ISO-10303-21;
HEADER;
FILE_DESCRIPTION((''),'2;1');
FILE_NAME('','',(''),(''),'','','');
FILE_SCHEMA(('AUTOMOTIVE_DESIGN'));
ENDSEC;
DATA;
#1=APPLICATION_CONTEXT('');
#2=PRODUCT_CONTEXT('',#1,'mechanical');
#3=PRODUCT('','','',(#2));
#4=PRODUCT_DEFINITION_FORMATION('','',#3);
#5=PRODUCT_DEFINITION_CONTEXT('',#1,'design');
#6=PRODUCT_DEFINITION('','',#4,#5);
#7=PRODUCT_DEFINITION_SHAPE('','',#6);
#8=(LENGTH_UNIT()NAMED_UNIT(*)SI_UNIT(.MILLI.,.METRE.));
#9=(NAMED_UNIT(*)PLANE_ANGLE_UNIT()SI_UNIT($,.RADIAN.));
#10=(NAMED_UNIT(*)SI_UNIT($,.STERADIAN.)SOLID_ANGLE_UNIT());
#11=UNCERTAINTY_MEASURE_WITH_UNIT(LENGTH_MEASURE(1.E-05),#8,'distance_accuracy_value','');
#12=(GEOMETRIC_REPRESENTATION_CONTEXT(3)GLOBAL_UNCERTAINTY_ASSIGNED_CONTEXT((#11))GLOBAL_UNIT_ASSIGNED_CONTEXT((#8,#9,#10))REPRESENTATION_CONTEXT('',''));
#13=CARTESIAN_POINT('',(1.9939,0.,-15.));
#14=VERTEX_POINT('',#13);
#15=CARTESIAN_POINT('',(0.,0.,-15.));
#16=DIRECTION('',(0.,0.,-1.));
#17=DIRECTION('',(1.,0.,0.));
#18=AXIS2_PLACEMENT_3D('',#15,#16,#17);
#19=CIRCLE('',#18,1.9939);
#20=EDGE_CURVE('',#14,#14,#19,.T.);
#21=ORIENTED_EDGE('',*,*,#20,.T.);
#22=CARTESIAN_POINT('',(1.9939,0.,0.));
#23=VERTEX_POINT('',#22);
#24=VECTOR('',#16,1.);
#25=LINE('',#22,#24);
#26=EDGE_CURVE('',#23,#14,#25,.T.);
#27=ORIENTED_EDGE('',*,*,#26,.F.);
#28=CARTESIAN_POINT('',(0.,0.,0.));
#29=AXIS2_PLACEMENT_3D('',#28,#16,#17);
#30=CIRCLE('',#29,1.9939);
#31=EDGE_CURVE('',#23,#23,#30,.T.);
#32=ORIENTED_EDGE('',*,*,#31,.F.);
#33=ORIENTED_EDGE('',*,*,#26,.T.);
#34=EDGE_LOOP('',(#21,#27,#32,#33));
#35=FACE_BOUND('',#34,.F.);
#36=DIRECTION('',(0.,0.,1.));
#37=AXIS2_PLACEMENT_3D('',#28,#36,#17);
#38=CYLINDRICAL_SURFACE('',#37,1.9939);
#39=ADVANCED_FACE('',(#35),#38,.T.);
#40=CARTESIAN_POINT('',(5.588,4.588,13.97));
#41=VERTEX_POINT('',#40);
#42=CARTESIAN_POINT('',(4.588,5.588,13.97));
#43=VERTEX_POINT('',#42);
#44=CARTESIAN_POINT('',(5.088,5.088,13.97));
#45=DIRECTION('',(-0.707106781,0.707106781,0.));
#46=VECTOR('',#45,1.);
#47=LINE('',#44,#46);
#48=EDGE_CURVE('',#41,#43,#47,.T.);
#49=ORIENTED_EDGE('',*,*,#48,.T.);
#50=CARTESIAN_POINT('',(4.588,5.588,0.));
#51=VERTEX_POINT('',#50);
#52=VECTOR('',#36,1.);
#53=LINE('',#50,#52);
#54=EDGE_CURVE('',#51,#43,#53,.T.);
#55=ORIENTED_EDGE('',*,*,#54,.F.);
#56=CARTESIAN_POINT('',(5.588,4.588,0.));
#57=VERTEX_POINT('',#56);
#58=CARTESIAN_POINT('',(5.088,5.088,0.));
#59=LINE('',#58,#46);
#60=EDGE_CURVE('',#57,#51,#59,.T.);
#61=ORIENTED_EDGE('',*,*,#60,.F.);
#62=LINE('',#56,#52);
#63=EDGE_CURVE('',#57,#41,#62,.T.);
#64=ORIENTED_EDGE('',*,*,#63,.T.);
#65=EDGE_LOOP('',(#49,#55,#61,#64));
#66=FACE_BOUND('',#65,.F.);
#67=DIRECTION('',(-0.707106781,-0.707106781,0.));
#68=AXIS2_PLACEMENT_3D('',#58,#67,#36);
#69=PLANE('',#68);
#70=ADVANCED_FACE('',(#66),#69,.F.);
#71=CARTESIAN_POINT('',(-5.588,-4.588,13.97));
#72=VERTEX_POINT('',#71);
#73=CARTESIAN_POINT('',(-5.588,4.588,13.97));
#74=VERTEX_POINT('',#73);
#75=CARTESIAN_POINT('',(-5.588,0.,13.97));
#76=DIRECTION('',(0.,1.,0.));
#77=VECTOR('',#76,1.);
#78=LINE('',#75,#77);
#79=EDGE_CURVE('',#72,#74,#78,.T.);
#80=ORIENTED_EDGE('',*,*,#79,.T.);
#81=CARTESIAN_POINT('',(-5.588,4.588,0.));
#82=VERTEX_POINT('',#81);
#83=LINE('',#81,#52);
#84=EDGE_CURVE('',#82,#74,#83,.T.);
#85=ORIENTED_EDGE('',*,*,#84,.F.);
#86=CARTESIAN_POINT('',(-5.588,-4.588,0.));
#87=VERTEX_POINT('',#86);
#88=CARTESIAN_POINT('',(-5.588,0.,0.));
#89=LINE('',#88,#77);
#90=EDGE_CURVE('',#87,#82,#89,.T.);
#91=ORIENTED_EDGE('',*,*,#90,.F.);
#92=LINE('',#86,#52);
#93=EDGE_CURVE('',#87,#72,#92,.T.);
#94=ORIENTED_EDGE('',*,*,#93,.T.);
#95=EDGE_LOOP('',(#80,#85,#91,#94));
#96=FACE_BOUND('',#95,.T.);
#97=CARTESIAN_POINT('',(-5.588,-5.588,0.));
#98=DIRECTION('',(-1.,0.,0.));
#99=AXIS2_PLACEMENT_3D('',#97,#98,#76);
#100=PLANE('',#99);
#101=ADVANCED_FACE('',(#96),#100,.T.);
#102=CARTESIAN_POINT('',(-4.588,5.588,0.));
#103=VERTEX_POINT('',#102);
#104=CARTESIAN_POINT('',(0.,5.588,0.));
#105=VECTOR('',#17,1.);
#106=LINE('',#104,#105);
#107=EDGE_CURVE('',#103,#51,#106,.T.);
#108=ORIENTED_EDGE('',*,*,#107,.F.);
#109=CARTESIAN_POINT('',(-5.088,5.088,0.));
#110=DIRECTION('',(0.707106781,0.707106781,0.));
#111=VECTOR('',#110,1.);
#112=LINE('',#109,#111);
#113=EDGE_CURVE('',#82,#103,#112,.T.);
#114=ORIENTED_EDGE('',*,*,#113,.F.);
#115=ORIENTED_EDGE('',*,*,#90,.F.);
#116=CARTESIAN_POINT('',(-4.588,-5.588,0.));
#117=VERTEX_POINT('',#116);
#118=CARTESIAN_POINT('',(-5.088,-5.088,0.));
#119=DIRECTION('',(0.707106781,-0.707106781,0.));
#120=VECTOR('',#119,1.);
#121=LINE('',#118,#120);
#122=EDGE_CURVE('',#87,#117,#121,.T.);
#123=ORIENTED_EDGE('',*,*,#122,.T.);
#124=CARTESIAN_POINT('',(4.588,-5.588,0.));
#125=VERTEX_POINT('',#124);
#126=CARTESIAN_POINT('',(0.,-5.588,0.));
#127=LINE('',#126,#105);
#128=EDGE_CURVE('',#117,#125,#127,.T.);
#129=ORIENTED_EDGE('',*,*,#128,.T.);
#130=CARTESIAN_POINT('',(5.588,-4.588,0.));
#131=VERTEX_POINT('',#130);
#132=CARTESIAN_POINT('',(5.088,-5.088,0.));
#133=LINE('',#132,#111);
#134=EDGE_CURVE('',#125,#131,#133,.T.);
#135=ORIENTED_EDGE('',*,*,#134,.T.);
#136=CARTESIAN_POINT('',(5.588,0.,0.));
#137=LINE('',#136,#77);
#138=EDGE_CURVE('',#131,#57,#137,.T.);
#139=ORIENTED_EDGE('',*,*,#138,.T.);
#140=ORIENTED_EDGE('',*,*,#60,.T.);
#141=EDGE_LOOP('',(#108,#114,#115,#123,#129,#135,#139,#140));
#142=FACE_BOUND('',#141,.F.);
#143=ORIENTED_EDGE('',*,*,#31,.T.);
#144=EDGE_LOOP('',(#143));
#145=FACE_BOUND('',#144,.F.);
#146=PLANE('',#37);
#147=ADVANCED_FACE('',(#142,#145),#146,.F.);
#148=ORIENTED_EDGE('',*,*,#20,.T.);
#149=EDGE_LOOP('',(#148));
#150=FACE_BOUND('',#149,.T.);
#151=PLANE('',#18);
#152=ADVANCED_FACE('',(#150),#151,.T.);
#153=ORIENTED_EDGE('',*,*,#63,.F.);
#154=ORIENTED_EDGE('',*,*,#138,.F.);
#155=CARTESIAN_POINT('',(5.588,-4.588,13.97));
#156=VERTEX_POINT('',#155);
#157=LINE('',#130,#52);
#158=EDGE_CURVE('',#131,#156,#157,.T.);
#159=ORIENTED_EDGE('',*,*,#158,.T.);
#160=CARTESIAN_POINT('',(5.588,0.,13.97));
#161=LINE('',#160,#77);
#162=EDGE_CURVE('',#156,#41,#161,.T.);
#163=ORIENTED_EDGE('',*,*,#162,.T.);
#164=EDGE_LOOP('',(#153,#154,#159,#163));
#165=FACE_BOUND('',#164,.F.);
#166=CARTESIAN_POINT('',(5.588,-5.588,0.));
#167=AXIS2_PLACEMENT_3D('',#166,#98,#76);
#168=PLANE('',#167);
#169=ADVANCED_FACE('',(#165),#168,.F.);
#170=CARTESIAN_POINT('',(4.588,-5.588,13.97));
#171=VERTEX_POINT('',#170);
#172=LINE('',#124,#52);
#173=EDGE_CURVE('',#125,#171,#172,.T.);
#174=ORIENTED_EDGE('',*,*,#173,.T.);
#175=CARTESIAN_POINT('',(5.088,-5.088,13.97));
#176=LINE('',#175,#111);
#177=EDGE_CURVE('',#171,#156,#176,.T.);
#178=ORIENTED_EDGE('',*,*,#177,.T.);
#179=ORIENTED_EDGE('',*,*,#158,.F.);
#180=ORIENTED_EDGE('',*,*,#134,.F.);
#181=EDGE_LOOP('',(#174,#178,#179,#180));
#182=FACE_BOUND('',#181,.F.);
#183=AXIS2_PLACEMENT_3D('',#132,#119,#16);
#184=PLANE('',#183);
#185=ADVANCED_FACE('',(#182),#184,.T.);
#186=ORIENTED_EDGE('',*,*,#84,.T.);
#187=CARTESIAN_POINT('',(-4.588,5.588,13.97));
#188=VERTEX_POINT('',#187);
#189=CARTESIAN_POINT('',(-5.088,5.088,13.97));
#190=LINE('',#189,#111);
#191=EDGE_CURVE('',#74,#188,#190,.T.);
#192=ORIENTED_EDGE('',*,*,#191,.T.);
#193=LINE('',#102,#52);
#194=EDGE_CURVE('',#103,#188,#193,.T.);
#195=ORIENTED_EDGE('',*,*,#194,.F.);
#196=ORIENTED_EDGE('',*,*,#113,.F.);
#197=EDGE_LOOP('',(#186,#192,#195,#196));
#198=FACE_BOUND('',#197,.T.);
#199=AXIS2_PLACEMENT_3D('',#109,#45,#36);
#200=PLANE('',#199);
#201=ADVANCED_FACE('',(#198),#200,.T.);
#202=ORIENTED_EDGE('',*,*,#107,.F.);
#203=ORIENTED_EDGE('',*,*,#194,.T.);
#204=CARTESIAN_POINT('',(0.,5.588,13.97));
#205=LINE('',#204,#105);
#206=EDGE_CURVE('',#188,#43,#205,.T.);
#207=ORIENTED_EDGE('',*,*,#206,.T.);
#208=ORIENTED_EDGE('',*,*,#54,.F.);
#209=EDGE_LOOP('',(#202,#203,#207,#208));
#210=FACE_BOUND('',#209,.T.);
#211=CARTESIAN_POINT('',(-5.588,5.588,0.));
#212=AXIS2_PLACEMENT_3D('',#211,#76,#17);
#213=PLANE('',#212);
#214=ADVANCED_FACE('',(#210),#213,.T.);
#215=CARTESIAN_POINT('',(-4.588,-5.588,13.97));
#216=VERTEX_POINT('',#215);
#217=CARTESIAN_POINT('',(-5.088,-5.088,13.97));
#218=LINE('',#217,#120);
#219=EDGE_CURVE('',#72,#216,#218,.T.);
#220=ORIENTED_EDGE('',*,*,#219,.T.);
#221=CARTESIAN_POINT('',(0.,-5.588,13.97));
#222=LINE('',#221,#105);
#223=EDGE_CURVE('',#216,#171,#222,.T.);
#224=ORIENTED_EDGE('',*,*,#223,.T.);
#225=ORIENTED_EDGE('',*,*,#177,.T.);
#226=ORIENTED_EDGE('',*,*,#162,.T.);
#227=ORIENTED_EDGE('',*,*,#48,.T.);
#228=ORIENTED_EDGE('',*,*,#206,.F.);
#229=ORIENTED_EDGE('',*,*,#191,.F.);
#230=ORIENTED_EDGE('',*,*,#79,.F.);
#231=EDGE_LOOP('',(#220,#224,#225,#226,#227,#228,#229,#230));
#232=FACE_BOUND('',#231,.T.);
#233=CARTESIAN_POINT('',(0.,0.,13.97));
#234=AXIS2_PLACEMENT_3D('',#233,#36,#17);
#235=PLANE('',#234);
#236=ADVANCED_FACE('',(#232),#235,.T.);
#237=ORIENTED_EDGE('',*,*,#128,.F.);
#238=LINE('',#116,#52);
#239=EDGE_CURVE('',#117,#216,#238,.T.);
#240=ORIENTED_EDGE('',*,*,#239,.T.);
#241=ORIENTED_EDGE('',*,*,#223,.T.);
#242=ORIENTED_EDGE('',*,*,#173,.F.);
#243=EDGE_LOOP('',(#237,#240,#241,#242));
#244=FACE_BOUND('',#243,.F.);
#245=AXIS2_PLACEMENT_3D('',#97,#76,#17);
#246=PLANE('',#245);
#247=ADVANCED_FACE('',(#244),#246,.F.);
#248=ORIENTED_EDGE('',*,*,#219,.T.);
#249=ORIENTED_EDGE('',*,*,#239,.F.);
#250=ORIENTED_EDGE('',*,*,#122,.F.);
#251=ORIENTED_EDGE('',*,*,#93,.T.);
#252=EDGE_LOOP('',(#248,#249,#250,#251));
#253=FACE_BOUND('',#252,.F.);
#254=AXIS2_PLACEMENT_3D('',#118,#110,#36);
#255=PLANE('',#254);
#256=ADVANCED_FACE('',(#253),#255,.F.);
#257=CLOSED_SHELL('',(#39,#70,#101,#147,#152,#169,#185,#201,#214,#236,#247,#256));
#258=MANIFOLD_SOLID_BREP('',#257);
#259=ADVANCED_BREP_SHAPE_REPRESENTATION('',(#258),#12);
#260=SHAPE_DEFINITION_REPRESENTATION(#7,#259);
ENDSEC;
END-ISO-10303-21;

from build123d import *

# Parameters (mm, degrees)
F0_W     = 11.176
F0_H     = 11.176
F1_DEPTH = 13.97
F2_SIZE  = 1
F3_R     = 1.9939
F4_DEPTH = 15


with BuildPart() as f1:
    # F0 (on Top) → F1 (new body)
    with BuildSketch(Plane.XY):
        Rectangle(F0_W, F0_H)
    extrude(amount=F1_DEPTH)

    # F2
    f2_edges = [f1.edges().sort_by_distance(p)[0] for p in [
        (5.588, 5.588, 6.985),
        (5.588, -5.588, 6.985),
        (-5.588, -5.588, 6.985),
        (-5.588, 5.588, 6.985),
    ]]
    chamfer(f2_edges, length=F2_SIZE)

    # F3 (on face) → F4 (join)
    with BuildSketch(Plane(origin=(0, 0, 0), x_dir=(1, 0, 0), z_dir=(0, 0, -1))):
        Circle(F3_R)
    extrude(amount=F4_DEPTH)


solid = f1.part
